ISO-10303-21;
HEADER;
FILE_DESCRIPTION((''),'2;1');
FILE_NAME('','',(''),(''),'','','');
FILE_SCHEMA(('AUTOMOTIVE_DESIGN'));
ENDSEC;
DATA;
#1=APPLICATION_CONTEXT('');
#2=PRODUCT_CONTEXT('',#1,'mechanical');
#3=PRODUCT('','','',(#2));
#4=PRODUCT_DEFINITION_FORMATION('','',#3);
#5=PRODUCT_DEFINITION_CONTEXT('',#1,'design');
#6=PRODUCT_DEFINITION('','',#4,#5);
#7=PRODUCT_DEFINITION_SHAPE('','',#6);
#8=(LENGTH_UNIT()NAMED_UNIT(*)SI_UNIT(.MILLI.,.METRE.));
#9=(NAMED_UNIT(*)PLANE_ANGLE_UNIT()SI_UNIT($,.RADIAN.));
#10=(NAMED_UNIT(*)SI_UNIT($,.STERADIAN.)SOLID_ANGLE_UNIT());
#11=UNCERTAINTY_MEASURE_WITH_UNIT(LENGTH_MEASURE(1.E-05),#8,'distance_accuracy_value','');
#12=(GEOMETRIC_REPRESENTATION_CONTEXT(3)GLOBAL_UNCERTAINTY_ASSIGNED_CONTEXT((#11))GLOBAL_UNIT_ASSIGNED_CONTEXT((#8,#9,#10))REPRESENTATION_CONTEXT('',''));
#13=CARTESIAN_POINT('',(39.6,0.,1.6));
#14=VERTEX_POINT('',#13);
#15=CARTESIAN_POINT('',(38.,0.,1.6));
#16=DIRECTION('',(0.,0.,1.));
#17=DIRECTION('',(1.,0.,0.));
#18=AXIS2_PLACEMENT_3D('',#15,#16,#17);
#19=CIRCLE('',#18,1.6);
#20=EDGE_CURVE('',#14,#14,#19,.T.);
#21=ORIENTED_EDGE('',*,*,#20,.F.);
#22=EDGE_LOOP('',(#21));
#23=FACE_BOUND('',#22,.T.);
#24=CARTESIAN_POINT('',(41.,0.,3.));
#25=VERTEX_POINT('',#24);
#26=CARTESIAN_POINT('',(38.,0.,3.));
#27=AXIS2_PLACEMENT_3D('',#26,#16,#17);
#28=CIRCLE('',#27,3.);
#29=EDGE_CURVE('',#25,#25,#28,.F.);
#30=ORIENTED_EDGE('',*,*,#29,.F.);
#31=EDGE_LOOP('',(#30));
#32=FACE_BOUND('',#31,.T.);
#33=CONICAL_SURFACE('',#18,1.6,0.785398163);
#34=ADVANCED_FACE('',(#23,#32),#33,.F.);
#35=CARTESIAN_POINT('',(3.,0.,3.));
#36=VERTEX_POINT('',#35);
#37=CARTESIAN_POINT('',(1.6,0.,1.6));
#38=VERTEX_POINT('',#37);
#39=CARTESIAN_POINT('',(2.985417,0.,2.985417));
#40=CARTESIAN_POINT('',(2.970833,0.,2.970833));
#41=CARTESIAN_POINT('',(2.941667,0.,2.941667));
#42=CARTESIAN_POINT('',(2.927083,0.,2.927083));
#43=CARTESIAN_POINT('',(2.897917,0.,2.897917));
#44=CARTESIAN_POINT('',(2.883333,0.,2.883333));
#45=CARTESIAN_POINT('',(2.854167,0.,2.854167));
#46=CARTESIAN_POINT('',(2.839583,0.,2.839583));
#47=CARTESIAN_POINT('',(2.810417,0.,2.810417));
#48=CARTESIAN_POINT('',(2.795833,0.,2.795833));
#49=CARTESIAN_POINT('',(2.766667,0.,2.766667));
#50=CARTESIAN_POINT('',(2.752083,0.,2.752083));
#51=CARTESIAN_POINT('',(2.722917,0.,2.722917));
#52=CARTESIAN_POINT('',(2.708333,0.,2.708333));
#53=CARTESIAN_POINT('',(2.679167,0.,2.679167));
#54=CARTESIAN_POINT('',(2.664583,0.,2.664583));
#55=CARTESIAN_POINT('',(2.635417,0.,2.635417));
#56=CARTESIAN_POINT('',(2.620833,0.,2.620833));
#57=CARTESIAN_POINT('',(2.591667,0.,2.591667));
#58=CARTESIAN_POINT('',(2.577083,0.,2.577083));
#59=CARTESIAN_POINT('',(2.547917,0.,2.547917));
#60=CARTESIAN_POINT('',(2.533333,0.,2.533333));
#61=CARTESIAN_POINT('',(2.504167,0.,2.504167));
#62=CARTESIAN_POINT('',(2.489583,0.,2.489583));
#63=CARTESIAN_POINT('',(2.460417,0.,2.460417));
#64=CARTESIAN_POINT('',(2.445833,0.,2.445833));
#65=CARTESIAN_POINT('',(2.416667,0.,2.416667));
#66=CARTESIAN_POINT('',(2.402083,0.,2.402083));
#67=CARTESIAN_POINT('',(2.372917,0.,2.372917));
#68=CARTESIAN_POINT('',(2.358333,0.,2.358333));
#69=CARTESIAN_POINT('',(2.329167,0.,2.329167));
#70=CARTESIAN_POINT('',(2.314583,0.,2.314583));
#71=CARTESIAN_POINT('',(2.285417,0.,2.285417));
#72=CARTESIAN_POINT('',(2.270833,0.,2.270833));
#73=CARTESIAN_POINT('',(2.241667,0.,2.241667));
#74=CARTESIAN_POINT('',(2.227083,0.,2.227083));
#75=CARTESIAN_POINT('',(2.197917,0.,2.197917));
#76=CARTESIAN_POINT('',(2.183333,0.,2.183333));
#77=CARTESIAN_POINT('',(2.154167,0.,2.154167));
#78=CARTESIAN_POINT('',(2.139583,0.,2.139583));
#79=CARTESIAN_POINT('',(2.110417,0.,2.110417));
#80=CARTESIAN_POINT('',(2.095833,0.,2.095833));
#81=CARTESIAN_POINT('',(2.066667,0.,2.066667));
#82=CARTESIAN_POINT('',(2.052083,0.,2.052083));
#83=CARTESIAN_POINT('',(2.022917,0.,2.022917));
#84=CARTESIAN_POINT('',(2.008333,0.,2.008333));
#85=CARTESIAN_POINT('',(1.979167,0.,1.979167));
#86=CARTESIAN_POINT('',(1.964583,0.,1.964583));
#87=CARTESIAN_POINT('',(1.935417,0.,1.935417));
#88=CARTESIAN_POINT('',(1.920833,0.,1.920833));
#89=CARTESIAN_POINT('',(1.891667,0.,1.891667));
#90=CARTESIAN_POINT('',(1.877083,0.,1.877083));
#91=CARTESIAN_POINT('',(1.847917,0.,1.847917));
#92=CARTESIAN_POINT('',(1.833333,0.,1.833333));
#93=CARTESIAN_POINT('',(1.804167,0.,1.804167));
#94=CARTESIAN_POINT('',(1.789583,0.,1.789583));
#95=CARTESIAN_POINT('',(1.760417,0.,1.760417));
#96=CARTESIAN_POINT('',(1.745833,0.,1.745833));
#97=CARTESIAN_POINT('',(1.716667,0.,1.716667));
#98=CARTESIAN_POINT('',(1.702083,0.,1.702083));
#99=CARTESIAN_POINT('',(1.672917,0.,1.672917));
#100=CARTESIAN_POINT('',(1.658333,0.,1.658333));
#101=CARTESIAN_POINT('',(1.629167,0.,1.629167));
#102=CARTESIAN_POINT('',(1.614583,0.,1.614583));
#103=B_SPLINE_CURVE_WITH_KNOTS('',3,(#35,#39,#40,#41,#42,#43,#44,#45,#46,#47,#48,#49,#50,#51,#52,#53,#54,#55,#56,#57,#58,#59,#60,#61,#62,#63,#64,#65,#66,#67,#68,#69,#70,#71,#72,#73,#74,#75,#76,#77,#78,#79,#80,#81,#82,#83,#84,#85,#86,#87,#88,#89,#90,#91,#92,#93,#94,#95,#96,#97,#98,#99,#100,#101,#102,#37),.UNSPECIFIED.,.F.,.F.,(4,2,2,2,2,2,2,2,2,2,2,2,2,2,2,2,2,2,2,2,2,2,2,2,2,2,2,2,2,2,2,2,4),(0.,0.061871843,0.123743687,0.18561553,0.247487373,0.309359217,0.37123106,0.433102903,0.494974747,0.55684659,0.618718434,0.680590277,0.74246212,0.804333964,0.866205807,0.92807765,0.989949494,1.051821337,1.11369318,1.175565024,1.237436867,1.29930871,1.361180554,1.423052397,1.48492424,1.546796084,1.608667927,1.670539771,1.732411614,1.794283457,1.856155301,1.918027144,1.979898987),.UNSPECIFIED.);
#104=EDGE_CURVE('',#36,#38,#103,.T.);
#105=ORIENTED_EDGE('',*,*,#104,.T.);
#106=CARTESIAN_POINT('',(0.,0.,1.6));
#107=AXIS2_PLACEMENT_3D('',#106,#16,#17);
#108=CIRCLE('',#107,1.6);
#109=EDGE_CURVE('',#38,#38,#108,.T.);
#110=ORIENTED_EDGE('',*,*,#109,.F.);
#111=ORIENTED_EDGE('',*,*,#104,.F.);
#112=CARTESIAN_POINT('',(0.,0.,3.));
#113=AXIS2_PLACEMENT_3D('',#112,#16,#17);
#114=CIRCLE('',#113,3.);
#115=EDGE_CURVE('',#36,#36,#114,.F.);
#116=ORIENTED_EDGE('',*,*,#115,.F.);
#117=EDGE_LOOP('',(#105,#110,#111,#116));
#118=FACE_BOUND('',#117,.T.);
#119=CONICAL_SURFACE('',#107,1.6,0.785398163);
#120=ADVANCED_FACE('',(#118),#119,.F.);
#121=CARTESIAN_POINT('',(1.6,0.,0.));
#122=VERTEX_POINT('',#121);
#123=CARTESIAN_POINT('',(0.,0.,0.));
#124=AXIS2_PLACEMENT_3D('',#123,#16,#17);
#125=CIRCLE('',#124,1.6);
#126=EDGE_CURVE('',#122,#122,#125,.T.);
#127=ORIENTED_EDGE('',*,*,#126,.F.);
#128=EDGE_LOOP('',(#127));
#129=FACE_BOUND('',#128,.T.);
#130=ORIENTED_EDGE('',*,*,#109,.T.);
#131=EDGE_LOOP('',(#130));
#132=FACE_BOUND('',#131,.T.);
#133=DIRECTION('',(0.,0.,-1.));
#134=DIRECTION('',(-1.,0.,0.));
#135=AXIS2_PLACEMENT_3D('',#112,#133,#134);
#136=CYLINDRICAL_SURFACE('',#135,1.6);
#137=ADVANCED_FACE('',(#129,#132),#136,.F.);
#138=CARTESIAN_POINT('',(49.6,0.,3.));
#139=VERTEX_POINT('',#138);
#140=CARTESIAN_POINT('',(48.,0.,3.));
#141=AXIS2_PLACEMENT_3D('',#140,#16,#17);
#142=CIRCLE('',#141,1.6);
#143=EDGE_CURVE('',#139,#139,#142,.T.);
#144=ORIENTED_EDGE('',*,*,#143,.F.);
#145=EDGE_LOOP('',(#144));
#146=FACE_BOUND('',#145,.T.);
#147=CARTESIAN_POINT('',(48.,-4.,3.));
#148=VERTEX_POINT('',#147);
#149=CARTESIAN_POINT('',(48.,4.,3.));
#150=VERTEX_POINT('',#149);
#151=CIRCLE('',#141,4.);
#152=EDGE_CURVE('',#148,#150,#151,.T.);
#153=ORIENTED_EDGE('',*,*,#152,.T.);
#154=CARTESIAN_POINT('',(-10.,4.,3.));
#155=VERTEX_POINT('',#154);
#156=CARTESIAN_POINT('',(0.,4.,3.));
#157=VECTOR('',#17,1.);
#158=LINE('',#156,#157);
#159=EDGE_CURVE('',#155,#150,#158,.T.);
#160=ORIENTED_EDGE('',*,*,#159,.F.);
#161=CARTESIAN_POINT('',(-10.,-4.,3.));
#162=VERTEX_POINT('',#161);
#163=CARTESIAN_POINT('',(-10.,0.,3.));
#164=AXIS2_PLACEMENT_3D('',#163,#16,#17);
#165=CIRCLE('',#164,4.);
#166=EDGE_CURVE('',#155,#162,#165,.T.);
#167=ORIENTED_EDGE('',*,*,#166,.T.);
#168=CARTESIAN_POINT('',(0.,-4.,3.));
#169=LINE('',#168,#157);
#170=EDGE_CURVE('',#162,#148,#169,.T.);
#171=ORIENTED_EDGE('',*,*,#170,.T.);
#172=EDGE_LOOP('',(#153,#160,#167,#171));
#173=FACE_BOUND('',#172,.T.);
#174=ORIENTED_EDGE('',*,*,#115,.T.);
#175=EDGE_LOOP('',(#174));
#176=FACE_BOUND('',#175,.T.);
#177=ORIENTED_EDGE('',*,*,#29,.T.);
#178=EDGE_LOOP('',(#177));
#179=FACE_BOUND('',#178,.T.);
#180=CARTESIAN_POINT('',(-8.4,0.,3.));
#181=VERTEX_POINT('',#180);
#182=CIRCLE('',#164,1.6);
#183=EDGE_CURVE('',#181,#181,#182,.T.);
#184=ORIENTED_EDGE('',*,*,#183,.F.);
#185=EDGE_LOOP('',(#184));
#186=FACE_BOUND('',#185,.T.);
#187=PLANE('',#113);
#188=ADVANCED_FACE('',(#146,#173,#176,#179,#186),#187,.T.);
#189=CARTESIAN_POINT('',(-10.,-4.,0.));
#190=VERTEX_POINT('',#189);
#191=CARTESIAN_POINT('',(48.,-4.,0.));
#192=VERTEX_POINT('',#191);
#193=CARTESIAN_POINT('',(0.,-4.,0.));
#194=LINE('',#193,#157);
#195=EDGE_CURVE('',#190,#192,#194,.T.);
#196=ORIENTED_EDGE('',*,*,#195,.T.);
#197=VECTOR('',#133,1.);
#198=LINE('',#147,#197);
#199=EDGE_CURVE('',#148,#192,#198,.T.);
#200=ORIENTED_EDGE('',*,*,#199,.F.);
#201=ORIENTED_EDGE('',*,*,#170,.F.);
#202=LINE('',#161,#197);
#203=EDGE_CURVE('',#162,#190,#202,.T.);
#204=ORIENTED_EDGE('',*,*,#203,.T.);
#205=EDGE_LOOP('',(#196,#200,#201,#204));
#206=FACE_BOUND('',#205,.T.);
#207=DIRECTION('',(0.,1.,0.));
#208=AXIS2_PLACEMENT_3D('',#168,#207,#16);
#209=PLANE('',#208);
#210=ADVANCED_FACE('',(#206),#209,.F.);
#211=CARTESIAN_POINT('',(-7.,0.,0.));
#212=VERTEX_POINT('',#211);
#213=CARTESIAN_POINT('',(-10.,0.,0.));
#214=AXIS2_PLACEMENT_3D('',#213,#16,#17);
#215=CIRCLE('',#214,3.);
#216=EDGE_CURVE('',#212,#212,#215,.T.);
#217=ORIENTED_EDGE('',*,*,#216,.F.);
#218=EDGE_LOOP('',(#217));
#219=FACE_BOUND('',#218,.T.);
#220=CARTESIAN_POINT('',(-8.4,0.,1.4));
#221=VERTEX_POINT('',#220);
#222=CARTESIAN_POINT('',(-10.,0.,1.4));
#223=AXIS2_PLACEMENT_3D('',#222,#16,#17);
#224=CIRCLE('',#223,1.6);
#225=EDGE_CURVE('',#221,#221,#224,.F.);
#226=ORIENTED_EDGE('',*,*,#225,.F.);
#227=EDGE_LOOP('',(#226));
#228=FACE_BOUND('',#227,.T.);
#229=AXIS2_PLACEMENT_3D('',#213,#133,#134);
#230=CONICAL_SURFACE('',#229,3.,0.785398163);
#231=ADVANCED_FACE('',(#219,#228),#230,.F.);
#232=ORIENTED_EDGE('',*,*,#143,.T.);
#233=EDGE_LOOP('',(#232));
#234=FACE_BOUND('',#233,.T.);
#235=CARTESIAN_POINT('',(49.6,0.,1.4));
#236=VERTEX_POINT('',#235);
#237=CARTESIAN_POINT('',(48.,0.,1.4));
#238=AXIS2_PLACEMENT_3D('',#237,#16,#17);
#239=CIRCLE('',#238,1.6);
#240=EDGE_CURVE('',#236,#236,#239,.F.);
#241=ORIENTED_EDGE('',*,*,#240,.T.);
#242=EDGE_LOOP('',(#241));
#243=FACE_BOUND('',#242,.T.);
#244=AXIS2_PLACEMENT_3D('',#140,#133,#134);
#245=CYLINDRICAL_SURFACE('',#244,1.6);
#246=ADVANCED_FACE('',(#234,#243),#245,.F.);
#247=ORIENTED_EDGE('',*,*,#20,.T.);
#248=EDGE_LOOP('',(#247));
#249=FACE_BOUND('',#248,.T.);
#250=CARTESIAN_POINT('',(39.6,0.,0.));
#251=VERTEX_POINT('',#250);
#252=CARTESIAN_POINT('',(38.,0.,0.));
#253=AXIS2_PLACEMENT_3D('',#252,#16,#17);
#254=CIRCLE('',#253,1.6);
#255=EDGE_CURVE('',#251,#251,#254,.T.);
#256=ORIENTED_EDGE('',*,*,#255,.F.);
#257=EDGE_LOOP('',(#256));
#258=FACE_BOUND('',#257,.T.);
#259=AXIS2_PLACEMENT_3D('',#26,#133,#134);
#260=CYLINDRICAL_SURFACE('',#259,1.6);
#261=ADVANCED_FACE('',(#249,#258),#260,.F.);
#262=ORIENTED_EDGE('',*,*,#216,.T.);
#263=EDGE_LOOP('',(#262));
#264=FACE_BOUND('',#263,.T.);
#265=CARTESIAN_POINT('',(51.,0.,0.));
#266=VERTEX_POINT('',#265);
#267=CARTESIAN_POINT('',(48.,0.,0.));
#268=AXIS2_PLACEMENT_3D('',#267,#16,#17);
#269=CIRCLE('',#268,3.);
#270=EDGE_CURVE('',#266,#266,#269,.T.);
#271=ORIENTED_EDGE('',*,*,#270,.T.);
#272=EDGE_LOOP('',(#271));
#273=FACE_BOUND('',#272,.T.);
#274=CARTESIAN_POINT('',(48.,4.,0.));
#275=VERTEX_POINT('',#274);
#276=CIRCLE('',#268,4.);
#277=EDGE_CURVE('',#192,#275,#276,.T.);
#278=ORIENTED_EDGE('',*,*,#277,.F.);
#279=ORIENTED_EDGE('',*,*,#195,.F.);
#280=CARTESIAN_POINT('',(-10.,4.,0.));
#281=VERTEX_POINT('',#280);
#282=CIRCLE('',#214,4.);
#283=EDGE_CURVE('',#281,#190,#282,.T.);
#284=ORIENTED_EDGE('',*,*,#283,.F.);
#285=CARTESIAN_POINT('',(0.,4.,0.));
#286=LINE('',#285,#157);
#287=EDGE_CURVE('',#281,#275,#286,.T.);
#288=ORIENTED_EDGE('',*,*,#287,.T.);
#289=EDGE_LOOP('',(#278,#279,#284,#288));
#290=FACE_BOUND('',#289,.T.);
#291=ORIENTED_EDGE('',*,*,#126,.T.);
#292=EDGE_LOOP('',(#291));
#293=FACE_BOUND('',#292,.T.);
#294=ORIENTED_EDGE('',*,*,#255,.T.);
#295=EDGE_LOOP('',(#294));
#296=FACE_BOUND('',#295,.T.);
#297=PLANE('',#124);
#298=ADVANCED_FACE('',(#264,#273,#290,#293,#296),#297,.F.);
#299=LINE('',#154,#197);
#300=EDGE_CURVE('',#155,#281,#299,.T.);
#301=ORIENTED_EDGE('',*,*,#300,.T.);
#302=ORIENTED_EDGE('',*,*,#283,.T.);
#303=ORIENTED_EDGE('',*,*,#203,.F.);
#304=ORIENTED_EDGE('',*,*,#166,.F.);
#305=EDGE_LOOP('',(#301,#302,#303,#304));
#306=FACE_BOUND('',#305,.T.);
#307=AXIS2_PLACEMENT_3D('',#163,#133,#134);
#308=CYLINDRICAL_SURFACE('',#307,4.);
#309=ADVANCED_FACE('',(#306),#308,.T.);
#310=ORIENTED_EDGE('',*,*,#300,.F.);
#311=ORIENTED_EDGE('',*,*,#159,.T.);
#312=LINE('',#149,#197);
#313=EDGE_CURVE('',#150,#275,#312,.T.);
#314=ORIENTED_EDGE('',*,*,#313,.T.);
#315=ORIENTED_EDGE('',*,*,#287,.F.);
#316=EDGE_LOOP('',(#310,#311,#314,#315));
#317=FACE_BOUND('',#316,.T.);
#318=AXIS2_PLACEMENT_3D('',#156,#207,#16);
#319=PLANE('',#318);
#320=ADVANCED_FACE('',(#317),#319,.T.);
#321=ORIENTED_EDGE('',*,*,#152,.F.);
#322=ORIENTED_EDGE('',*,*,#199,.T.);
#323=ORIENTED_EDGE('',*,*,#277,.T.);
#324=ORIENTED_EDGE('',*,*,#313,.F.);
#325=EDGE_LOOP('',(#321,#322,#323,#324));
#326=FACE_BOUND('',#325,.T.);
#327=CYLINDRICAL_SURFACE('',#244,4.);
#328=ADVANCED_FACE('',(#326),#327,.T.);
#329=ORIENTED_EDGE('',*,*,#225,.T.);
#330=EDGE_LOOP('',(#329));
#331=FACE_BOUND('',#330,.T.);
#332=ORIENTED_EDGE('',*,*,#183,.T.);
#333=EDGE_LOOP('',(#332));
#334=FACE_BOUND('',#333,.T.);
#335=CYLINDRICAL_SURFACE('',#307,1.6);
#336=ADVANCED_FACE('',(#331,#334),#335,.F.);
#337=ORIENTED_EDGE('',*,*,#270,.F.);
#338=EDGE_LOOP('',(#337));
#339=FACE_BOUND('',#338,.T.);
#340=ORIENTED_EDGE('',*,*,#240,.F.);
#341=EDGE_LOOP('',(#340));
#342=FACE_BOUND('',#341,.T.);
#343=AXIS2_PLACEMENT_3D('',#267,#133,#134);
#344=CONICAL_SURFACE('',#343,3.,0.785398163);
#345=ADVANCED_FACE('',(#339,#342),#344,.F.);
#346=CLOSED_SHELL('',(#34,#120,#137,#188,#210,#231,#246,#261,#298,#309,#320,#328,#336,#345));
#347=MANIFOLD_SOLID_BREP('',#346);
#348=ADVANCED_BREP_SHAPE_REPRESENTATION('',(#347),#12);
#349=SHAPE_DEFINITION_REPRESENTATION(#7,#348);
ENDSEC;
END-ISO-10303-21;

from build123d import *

# Parameters (mm, degrees)
SKETCH_1_R      = 1.6
EXTRUDE_1_DEPTH = 3
CHAMFER_1_SIZE  = 1.4


with BuildPart() as part:
    # 草图1 → 凸台-拉伸1 (new body)
    with BuildSketch(Plane.XY):
        with BuildLine():
            Line((-10, 4), (48, 4))
            ThreePointArc((48, 4), (52, 0), (48, -4))
            Line((48, -4), (-10, -4))
            ThreePointArc((-10, -4), (-14, 0), (-10, 4))
        make_face()
        Circle(SKETCH_1_R, mode=Mode.SUBTRACT)
        with Locations((38, 0)):
            Circle(SKETCH_1_R, mode=Mode.SUBTRACT)
        with Locations((-10, 0)):
            Circle(SKETCH_1_R, mode=Mode.SUBTRACT)
        with Locations((48, 0)):
            Circle(SKETCH_1_R, mode=Mode.SUBTRACT)
    extrude(amount=EXTRUDE_1_DEPTH)

    # 倒角1
    chamfer_1_edges = [part.edges().sort_by_distance(p)[0] for p in [
        (-1.6, 0, 3),
        (-11.6, 0, 0),
        (46.4, 0, 0),
        (36.4, 0, 3),
    ]]
    chamfer(chamfer_1_edges, length=CHAMFER_1_SIZE)


solid = part.part
